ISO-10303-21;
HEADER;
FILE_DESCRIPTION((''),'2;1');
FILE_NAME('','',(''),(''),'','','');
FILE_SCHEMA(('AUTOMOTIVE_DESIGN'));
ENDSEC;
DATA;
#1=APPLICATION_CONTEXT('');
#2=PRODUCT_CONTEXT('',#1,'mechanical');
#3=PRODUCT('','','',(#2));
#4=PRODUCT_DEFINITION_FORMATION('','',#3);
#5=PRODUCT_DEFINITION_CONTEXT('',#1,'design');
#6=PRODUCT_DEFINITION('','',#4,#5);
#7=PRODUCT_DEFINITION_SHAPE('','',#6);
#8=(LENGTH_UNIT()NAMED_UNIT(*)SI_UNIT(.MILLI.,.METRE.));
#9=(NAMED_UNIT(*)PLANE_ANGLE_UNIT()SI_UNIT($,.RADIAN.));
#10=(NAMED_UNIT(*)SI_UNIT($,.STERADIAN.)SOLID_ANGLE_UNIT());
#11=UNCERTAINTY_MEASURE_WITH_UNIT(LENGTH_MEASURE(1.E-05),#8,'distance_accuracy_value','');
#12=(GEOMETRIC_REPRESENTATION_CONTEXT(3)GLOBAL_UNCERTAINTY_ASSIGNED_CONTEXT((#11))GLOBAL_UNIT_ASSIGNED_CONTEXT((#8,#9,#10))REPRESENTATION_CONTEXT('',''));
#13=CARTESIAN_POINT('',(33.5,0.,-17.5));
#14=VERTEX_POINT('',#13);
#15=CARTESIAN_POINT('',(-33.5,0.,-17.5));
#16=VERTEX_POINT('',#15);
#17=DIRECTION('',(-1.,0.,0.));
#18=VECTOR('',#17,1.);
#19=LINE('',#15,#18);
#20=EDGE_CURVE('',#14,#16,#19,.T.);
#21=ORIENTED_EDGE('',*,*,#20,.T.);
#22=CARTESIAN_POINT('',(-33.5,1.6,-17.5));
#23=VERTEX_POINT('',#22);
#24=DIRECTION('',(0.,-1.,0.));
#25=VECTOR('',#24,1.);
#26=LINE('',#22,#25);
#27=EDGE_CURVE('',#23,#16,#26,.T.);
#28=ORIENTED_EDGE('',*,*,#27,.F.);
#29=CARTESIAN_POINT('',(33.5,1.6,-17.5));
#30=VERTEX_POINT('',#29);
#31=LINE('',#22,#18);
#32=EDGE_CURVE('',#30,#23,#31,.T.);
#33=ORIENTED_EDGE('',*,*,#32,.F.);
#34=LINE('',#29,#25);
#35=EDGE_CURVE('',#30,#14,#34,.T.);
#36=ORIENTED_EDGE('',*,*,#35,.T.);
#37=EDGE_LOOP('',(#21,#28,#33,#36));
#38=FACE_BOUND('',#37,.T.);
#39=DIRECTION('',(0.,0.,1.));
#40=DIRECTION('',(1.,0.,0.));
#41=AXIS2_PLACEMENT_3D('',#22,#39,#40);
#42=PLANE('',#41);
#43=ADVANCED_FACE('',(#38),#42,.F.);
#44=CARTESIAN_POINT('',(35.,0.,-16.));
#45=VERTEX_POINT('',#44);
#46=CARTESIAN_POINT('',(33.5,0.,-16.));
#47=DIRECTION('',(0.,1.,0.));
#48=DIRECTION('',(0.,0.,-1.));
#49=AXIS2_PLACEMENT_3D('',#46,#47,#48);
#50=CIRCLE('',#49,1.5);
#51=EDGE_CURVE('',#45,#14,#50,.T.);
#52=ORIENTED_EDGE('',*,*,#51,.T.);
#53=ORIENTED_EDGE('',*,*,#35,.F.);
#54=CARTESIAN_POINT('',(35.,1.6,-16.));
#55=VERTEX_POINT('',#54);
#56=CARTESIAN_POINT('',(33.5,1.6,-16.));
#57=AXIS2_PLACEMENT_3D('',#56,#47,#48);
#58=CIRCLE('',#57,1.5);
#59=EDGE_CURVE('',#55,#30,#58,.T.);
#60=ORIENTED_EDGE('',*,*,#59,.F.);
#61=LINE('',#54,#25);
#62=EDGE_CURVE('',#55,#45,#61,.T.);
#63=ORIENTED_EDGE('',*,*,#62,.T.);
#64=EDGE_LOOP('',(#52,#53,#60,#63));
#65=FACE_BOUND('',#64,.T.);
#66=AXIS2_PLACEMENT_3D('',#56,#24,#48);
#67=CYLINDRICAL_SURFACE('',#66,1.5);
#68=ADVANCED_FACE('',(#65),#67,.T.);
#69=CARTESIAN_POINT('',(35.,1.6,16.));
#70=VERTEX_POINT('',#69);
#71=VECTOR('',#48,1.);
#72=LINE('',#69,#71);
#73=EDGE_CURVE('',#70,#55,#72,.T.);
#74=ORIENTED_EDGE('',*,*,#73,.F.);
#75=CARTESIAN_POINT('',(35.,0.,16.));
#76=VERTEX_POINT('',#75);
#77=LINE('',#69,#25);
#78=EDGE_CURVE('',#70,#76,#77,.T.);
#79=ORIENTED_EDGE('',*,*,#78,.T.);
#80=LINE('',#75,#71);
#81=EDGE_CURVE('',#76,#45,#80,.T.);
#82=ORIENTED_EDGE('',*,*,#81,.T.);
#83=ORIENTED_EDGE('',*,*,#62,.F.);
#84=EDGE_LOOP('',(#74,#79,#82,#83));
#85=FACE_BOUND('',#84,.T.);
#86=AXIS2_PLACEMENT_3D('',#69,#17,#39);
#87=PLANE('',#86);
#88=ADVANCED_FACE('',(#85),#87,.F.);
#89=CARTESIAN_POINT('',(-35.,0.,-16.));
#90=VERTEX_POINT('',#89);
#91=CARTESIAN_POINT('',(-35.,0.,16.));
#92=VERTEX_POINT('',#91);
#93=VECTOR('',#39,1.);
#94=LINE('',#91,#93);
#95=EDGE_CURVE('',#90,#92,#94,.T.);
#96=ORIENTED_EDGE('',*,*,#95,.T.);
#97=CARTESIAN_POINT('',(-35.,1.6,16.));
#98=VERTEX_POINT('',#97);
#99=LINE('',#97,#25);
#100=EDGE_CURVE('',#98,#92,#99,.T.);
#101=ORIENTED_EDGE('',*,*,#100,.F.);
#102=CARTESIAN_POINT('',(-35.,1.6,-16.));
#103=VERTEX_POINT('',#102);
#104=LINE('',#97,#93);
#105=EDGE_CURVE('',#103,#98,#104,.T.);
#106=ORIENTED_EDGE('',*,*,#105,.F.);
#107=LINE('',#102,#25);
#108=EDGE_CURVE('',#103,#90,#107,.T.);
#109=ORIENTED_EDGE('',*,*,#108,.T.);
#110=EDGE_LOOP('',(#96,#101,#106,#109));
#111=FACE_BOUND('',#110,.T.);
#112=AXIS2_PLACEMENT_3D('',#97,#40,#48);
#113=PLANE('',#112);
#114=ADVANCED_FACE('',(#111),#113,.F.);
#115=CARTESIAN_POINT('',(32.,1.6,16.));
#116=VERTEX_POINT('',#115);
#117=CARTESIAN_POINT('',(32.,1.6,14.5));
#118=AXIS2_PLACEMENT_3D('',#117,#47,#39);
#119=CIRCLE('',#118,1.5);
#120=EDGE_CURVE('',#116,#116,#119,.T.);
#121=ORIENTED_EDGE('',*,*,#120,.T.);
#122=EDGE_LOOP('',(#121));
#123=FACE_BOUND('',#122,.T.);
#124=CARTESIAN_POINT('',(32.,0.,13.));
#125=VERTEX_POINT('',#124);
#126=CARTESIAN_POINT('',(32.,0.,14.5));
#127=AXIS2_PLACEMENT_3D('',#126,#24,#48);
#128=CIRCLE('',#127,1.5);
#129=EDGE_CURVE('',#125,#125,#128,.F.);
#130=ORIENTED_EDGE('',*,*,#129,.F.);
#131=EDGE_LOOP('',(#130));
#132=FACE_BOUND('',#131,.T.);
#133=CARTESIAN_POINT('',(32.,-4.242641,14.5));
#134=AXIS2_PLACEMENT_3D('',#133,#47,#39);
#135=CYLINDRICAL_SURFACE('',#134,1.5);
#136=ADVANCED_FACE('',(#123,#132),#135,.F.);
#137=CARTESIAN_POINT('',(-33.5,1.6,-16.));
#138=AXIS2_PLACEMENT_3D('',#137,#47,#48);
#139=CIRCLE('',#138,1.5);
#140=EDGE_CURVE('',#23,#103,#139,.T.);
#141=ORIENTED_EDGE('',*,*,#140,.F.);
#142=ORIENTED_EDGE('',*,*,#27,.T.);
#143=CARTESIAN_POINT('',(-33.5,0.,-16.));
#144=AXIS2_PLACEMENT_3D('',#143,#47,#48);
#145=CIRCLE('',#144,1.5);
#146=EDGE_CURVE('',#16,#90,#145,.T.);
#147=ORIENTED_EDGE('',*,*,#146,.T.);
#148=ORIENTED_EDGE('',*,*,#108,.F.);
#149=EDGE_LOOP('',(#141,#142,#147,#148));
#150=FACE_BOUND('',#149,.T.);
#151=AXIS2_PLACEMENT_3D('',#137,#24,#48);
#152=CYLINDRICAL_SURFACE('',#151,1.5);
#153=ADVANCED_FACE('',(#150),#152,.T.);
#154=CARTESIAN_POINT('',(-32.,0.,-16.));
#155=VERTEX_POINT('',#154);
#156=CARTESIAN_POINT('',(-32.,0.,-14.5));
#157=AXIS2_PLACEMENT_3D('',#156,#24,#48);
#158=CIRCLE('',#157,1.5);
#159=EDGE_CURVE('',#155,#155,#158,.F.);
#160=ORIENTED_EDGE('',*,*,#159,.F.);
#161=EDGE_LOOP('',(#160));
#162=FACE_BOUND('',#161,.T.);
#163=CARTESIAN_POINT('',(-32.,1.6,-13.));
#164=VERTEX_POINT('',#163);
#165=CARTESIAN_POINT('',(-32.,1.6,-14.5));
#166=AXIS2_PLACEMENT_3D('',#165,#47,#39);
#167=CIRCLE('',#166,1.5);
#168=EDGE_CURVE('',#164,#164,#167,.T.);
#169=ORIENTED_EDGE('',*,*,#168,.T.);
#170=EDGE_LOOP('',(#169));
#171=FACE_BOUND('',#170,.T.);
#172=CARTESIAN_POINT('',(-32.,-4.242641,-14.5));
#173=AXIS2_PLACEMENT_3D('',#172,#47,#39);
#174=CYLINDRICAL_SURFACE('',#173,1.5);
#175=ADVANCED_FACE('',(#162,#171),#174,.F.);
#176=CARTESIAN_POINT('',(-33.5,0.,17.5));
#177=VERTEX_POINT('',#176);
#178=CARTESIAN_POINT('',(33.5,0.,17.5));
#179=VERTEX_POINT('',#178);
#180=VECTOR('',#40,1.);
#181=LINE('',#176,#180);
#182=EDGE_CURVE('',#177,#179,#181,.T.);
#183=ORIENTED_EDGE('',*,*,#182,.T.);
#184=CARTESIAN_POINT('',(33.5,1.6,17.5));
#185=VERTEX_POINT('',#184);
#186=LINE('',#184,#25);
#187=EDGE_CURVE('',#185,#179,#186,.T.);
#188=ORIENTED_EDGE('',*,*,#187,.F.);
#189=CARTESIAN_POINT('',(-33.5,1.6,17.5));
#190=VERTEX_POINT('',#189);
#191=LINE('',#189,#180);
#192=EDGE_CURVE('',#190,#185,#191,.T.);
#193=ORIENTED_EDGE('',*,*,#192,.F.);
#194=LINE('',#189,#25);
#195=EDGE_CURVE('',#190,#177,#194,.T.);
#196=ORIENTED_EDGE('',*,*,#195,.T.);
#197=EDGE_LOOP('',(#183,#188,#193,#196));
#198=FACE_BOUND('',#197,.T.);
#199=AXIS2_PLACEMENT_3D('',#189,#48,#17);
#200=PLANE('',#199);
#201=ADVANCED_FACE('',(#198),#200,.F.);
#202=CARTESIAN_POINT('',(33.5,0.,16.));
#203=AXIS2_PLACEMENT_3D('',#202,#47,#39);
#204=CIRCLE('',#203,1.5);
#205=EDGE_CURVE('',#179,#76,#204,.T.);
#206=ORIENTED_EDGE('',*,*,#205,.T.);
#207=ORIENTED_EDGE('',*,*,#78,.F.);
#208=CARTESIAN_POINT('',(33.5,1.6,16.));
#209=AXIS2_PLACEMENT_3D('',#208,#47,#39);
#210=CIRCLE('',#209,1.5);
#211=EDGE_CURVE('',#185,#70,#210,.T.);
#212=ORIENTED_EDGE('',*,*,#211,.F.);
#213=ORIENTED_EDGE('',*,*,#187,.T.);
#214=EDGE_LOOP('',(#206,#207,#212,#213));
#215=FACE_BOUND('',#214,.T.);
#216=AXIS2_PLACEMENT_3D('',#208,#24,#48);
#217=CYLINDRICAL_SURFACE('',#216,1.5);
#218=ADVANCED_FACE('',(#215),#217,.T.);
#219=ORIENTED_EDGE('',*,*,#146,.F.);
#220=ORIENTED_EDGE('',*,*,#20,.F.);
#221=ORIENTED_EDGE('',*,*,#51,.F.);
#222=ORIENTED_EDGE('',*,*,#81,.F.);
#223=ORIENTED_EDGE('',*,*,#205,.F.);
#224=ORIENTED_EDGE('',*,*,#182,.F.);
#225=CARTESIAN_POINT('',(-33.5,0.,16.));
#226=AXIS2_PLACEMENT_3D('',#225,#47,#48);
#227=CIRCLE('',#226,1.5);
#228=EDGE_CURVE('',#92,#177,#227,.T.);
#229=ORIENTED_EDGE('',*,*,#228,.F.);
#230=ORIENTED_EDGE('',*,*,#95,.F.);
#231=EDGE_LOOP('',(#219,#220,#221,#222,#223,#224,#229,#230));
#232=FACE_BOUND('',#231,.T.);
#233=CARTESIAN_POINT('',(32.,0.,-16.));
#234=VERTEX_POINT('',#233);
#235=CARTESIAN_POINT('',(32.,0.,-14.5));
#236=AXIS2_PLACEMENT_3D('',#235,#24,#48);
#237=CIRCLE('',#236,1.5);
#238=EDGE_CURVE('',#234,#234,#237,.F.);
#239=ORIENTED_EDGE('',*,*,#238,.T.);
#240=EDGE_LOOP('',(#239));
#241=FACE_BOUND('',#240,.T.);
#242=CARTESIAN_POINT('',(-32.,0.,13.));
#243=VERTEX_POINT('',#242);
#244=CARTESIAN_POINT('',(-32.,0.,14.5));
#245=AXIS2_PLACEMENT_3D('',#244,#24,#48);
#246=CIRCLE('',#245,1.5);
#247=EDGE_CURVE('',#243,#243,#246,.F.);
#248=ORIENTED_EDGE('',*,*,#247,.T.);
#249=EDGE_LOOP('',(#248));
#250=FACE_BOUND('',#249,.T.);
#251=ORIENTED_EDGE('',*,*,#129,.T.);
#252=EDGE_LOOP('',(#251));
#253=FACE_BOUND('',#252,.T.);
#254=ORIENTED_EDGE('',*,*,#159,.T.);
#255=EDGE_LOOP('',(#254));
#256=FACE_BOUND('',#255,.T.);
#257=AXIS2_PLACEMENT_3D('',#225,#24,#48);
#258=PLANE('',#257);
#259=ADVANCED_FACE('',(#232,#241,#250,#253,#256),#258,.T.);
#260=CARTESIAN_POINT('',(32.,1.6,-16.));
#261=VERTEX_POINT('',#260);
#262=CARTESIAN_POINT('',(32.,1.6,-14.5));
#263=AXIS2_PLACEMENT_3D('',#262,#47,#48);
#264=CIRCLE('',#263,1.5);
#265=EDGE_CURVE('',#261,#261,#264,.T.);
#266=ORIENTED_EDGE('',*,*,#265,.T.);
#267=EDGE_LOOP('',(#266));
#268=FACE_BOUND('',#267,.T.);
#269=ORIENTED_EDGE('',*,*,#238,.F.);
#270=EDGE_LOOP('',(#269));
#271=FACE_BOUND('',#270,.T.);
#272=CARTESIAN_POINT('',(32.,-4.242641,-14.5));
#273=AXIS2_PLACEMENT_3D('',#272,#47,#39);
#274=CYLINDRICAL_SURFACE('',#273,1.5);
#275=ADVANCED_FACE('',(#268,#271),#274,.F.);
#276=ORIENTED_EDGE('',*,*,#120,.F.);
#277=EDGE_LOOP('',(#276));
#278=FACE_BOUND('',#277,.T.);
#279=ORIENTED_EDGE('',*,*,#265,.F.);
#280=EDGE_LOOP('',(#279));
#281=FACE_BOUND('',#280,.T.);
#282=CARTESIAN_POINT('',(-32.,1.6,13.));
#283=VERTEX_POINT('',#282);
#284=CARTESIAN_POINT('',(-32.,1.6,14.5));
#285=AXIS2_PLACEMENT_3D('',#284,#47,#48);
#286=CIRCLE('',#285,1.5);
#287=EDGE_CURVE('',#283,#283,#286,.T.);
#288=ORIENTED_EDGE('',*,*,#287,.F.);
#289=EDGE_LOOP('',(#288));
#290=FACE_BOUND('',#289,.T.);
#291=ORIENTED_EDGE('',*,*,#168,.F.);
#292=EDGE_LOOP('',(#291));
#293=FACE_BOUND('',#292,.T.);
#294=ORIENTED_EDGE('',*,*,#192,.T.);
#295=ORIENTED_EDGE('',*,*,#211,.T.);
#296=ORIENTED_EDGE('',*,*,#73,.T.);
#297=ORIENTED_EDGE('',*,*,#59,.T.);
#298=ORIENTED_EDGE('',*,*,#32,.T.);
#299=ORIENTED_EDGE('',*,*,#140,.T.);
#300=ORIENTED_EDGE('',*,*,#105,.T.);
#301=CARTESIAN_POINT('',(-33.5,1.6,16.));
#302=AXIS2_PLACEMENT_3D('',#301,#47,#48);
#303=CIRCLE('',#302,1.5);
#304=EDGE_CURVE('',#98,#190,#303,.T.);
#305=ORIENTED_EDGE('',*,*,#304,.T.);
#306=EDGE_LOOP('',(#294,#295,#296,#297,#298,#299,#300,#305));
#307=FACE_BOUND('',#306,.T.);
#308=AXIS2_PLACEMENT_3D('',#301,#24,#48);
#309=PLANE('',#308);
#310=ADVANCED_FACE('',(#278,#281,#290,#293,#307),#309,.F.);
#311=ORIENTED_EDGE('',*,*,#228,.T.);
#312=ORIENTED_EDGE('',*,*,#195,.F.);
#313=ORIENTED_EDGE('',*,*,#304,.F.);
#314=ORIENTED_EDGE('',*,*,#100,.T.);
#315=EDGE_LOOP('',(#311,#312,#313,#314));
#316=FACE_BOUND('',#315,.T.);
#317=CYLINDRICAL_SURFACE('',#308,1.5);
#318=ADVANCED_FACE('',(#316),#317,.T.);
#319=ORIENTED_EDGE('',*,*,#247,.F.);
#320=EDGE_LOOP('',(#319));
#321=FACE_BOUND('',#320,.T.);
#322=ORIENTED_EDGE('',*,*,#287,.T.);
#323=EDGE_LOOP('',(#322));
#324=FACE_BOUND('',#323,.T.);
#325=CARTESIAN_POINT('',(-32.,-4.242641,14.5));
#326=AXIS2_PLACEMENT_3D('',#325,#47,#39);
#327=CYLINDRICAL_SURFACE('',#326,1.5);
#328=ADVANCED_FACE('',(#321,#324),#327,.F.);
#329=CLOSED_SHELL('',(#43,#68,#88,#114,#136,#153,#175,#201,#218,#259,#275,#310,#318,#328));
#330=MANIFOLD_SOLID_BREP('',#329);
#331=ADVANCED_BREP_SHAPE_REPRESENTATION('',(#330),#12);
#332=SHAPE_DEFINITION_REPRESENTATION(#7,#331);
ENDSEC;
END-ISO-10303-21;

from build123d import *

# Parameters (mm, degrees)
PCB_BASE_DEPTH       = 1.6
SKETCH2_R            = 1.5
MOUNTING_HOLES_DEPTH = 1.6


with BuildPart() as part:
    # Sketch1 → PCB Base (new body)
    with BuildSketch(Plane(origin=(0, 0, 0), x_dir=(1, 0, 0), z_dir=(0, 1, 0))):
        with BuildLine():
            Line((-33.5, -17.5), (33.5, -17.5))
            ThreePointArc((33.5, -17.5), (34.560660172, -17.060660172), (35, -16))
            Line((35, -16), (35, 16))
            ThreePointArc((35, 16), (34.560660172, 17.060660172), (33.5, 17.5))
            Line((33.5, 17.5), (-33.5, 17.5))
            ThreePointArc((-33.5, 17.5), (-34.560660172, 17.060660172), (-35, 16))
            Line((-35, 16), (-35, -16))
            ThreePointArc((-35, -16), (-34.560660172, -17.060660172), (-33.5, -17.5))
        make_face()
    extrude(amount=PCB_BASE_DEPTH)

    # Sketch2 → Mounting Holes (cut)
    with BuildSketch(Plane(origin=(0, 1.6, 0), x_dir=(1, 0, 0), z_dir=(0, 1, 0))):
        with Locations(Location((-32, 14.5, 0), (0, 0, 270))):
            Circle(SKETCH2_R)
        with Locations(Location((32, 14.5, 0), (0, 0, 90))):
            Circle(SKETCH2_R)
        with Locations(Location((32, -14.5, 0), (0, 0, 270))):
            Circle(SKETCH2_R)
        with Locations(Location((-32, -14.5, 0), (0, 0, 90))):
            Circle(SKETCH2_R)
    extrude(amount=-MOUNTING_HOLES_DEPTH, mode=Mode.SUBTRACT)


solid = part.part
